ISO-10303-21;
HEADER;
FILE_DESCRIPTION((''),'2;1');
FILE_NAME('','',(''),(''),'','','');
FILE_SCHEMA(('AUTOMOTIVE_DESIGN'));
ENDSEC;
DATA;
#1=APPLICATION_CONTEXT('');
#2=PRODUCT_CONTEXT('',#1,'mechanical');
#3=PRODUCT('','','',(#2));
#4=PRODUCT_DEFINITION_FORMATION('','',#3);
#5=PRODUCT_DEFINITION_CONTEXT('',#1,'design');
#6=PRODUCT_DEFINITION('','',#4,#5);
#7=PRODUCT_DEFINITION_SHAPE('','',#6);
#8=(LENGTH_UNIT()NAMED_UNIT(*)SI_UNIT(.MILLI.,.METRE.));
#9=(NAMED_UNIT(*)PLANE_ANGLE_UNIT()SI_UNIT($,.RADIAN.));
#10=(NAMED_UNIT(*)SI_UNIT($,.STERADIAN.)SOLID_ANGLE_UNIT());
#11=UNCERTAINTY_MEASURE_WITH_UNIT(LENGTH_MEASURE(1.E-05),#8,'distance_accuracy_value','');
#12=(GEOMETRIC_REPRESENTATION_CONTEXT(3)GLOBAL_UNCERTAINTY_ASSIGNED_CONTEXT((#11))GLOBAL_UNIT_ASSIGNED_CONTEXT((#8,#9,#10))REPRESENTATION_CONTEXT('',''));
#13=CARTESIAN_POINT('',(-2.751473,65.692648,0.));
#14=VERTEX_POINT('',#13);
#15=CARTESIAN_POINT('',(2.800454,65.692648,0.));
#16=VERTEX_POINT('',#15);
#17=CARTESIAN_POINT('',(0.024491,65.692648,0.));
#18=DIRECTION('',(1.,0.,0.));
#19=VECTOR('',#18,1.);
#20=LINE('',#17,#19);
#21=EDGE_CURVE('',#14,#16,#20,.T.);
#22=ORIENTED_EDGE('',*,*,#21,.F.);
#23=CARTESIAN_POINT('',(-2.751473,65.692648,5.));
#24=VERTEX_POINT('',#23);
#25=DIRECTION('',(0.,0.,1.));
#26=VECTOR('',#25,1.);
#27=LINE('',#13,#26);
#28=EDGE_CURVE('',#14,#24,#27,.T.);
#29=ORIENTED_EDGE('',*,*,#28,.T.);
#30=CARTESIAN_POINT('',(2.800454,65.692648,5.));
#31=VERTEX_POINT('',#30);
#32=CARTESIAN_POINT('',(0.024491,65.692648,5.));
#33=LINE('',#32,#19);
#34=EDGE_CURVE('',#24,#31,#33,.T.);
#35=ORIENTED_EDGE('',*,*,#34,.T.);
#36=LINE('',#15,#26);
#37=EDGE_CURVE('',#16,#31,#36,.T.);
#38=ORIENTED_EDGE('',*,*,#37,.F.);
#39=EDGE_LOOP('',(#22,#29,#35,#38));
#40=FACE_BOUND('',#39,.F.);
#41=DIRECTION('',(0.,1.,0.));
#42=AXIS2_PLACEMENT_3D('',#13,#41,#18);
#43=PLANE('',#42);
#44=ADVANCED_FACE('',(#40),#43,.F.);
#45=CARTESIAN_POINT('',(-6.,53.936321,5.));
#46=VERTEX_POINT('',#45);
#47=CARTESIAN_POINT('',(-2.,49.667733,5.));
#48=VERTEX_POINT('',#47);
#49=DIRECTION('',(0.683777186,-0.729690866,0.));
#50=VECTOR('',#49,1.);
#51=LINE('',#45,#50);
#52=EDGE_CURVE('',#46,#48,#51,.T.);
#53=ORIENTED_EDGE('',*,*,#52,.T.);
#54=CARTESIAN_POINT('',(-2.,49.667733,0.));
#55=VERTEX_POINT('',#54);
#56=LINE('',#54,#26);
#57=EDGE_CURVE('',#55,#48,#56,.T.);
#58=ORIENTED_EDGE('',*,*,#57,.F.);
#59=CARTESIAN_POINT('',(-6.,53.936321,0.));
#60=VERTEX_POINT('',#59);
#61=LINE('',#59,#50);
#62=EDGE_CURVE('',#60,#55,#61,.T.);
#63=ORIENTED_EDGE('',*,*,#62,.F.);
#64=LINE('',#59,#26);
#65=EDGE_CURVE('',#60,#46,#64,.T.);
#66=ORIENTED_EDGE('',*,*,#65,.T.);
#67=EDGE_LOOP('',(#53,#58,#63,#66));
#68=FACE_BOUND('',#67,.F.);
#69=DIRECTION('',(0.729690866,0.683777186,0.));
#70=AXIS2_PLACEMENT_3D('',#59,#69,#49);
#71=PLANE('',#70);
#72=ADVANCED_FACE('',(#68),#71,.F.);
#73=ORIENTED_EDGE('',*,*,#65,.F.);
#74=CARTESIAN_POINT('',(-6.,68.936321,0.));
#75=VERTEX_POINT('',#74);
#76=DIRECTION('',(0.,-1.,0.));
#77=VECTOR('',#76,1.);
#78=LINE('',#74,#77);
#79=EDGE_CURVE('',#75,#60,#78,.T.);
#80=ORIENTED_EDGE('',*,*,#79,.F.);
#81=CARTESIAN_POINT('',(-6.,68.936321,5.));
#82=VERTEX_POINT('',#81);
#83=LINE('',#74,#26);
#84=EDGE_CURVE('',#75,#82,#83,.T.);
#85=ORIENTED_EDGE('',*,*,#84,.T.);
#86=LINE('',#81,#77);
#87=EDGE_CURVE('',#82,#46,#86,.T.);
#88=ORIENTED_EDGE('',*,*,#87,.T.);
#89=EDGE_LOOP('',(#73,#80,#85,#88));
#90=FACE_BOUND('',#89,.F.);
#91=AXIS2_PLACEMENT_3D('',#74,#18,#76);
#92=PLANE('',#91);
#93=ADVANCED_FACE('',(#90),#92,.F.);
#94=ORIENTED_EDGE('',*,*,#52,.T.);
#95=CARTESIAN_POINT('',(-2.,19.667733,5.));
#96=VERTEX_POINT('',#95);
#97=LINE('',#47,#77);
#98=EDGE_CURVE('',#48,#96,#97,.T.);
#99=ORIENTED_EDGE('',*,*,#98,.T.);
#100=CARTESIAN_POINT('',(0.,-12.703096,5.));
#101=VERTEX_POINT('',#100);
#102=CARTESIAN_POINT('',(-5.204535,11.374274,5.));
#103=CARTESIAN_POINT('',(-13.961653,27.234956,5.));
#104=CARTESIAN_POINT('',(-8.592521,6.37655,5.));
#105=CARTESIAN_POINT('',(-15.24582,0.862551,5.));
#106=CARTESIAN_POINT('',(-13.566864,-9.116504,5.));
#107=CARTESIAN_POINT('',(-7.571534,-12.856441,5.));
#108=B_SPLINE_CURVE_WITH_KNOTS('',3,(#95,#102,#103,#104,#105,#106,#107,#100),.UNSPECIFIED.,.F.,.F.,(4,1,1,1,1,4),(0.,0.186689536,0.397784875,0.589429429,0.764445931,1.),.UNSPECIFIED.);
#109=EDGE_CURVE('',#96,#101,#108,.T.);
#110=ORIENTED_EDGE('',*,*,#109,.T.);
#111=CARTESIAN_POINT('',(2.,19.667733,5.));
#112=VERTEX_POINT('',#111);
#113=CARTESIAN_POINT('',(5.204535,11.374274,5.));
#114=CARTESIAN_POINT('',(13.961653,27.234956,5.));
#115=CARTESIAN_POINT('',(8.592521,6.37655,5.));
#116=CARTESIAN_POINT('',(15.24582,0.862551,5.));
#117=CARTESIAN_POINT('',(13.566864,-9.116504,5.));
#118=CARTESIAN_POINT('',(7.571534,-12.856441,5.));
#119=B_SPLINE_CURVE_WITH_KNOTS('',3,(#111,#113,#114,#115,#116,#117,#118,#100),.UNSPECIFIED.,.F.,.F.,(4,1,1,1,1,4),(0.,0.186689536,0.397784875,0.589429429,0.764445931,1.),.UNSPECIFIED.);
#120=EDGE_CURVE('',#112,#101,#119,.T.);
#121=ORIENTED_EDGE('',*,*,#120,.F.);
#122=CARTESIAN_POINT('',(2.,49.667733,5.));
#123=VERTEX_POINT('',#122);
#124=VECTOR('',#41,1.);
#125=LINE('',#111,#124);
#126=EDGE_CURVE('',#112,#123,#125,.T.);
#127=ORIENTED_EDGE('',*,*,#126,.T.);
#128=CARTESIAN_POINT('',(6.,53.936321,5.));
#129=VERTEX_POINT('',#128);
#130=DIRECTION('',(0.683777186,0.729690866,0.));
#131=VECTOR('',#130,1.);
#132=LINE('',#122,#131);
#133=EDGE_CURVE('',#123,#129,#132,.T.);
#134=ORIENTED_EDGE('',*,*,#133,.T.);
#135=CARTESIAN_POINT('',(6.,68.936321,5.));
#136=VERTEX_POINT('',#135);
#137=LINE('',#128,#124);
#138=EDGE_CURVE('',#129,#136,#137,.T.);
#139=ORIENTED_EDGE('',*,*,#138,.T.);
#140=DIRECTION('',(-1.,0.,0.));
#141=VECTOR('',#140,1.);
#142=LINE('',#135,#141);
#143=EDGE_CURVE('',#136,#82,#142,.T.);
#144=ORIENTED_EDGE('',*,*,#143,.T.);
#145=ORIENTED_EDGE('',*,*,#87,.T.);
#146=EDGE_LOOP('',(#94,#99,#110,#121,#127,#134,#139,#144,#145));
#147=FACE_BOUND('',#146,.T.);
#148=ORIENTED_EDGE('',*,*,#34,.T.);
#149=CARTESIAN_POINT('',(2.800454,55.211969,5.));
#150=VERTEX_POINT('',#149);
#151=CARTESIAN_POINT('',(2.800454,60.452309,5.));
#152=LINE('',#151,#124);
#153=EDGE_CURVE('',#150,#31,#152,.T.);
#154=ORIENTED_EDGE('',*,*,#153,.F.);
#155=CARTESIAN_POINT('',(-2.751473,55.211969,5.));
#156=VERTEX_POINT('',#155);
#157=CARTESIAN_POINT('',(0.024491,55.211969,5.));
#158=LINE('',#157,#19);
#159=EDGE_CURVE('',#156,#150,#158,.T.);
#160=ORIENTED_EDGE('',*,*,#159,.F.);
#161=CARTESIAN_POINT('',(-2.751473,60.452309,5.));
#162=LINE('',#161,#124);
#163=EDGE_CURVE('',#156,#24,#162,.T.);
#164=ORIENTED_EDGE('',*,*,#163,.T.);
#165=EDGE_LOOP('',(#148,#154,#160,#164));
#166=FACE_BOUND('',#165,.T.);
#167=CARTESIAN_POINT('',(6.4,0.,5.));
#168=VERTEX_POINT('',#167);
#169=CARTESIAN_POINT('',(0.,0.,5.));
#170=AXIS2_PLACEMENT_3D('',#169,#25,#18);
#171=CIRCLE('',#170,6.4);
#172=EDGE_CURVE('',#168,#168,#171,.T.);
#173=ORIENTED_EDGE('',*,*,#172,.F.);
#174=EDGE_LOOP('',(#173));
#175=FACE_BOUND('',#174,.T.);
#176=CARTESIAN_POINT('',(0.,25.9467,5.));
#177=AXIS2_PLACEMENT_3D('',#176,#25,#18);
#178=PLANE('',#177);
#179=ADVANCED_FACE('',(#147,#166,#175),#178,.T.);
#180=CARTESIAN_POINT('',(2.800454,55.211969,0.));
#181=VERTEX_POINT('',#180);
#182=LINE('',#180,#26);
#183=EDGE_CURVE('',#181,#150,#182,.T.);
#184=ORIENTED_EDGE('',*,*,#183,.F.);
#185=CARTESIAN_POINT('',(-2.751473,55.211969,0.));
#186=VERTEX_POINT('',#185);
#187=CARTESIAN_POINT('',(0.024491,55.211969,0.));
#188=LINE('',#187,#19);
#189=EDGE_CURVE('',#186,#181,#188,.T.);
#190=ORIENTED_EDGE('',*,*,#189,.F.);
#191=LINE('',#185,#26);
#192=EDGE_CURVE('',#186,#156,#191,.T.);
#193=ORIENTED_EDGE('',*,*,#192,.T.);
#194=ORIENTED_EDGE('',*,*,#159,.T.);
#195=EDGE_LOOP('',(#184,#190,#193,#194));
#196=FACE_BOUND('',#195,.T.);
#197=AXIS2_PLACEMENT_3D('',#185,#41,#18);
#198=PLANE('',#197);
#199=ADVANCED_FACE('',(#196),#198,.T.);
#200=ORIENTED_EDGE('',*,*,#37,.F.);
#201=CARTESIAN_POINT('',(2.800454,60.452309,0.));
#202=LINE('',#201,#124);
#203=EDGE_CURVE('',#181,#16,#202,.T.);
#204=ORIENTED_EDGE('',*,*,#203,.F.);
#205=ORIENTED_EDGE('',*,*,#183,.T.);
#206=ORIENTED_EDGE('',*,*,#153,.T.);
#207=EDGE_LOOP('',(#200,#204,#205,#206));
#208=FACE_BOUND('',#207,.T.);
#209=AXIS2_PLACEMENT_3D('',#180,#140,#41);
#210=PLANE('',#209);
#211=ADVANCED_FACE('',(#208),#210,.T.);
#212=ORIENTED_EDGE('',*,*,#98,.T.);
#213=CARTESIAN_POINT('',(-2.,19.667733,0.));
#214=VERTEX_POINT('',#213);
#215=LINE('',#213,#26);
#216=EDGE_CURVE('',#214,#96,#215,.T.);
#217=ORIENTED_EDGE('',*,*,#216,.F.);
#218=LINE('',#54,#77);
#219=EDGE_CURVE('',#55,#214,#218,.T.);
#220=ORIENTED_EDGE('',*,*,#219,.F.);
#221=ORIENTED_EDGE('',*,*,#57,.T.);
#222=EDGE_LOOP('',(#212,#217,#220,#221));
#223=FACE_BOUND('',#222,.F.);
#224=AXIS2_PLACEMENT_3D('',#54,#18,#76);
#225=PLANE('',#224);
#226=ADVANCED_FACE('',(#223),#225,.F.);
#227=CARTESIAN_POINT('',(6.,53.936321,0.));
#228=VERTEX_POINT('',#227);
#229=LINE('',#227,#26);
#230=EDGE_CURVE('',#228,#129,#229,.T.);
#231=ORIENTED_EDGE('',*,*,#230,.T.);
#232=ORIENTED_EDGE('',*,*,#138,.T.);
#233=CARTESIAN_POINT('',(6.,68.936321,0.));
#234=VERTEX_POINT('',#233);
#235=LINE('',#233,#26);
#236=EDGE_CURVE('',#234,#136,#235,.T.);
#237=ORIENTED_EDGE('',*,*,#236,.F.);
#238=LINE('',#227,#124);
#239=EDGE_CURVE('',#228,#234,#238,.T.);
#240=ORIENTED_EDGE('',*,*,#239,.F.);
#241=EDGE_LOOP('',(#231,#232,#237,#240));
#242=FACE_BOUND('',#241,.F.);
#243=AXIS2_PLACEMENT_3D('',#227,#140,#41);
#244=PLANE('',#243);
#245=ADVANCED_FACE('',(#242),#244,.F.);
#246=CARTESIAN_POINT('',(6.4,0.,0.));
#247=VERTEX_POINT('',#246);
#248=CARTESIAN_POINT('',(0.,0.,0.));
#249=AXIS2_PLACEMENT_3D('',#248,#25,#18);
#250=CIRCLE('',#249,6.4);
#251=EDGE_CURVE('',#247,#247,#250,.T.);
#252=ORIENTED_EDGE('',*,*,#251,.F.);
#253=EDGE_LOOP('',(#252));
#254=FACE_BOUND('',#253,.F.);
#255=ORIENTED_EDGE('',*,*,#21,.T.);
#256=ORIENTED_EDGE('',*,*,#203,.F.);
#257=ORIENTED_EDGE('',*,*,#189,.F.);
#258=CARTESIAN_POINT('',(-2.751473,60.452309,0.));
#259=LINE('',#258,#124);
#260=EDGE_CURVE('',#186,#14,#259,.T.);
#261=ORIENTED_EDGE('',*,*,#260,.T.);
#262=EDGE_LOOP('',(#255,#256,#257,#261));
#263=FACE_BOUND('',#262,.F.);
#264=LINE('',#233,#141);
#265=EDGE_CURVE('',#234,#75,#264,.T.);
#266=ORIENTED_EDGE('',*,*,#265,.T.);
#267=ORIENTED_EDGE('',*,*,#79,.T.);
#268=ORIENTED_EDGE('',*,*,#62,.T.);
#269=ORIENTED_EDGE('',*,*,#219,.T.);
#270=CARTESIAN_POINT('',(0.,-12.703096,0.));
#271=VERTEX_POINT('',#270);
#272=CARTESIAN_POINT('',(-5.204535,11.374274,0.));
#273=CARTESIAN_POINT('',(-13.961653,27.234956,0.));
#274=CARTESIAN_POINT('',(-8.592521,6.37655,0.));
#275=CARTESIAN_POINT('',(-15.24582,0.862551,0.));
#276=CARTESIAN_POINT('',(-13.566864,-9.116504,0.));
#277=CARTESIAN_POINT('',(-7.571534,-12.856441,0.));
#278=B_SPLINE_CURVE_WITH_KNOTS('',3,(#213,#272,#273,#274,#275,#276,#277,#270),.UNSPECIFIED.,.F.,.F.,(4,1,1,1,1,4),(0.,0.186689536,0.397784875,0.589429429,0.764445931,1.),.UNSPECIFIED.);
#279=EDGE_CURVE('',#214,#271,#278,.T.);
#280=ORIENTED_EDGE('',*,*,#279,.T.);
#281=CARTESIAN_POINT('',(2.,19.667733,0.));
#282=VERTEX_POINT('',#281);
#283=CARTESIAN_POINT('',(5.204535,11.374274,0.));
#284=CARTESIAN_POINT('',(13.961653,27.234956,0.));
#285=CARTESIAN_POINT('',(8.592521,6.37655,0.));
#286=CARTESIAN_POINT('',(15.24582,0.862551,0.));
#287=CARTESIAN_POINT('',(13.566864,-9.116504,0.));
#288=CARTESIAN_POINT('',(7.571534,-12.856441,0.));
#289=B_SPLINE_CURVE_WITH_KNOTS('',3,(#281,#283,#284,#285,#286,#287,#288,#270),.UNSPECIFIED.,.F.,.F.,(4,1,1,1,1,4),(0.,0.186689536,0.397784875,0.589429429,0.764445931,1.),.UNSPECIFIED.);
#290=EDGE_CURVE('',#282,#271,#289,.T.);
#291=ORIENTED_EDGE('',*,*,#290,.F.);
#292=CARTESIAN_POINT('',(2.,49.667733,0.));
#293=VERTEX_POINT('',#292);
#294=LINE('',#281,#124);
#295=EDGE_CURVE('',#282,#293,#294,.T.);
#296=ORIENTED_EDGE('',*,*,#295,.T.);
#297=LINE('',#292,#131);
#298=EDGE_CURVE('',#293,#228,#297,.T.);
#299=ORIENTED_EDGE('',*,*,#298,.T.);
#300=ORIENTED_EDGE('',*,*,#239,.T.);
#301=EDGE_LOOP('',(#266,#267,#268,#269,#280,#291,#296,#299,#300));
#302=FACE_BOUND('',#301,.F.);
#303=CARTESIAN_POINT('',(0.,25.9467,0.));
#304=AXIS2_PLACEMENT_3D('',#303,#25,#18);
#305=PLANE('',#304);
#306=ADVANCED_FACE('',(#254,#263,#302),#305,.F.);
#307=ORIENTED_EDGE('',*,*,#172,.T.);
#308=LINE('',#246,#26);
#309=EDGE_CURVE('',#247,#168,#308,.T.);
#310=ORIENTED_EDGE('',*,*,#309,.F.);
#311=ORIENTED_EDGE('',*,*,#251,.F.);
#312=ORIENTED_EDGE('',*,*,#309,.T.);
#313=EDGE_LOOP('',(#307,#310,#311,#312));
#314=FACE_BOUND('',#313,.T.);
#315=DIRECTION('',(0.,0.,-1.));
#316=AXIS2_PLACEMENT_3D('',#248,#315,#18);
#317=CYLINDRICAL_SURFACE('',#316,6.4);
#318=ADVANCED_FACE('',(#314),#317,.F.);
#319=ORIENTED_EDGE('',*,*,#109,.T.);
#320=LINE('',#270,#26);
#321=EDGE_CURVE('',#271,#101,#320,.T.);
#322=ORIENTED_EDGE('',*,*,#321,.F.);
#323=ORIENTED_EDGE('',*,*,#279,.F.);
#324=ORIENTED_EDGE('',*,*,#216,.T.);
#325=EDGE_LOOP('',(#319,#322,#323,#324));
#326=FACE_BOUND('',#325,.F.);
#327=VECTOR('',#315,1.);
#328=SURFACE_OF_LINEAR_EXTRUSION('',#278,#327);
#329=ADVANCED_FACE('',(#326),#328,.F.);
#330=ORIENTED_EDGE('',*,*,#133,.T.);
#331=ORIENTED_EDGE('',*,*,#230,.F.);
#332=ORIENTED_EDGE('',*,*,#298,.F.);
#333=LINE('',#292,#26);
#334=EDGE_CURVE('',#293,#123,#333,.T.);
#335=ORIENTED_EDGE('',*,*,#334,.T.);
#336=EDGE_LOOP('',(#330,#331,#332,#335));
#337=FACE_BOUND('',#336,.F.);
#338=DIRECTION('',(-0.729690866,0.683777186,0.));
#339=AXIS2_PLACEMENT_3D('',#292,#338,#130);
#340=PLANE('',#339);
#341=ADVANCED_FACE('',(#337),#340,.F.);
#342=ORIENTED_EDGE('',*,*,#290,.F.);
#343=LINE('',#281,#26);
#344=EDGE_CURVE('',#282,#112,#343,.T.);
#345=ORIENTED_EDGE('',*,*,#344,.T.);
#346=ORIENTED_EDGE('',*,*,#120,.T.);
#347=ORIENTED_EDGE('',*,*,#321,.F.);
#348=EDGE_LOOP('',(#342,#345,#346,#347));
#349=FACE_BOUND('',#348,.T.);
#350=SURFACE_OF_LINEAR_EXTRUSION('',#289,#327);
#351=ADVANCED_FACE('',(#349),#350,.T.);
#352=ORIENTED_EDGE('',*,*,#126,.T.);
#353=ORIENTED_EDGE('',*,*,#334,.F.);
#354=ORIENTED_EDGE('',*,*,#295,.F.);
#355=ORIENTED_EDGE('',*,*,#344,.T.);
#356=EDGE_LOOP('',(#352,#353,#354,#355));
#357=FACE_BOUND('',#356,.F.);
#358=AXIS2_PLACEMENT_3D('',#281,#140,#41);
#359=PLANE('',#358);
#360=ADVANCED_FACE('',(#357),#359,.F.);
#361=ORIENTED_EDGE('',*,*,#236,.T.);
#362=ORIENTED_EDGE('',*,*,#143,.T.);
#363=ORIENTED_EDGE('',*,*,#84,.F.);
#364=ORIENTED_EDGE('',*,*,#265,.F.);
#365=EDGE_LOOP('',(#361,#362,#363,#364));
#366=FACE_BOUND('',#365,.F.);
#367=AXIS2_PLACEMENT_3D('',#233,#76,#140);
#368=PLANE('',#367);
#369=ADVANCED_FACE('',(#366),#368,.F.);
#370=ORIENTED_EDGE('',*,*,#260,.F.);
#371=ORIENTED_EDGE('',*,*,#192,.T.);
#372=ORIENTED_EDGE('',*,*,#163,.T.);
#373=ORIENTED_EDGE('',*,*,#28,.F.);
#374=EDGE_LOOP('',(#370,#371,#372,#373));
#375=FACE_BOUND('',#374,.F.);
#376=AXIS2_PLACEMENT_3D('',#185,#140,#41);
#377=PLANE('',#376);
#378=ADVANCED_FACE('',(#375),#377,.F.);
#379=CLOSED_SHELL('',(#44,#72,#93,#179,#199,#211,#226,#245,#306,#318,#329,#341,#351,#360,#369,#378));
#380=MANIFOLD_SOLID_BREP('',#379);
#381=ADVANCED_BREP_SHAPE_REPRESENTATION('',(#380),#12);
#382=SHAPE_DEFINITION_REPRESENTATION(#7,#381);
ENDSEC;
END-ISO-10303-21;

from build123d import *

# Parameters (mm, degrees)
F0_R     = 6.4
F0_W     = 5.5519272573
F0_H     = 10.4806795716
F1_DEPTH = 5


with BuildPart() as f1:
    # F0 (on Top) → F1 (new body)
    with BuildSketch(Plane.XY):
        with BuildLine():
            Line((0, 68.9363212883), (-6, 68.9363212883))
            Line((-6, 68.9363212883), (-6, 53.9363212883))
            Line((-6, 53.9363212883), (-2, 49.6677327434))
            Line((-2, 49.6677327434), (-2, 19.6677327434))
            add(Edge.make_bspline(
                [(-2, 19.6677327434), (-5.2045350894, 11.3742742687), (-13.9616531978, 27.2349557552), (-8.5925210718, 6.3765498017), (-15.2458199495, 0.8625510948), (-13.5668635451, -9.1165038385), (-7.5715340142, -12.8564407231), (0, -12.7030955628)],
                knots=[0, 0, 0, 0, 0.1866895357, 0.3977848748, 0.5894294289, 0.7644459309, 1, 1, 1, 1], degree=3))
            add(Edge.make_bspline(
                [(2, 19.6677327434), (5.2045350894, 11.3742742687), (13.9616531978, 27.2349557552), (8.5925210718, 6.3765498017), (15.2458199495, 0.8625510948), (13.5668635451, -9.1165038385), (7.5715340142, -12.8564407231), (0, -12.7030955628)],
                knots=[0, 0, 0, 0, 0.1866895357, 0.3977848748, 0.5894294289, 0.7644459309, 1, 1, 1, 1], degree=3))
            Line((2, 19.6677327434), (2, 49.6677327434))
            Line((2, 49.6677327434), (6, 53.9363212883))
            Line((6, 53.9363212883), (6, 68.9363212883))
            Line((6, 68.9363212883), (0, 68.9363212883))
        make_face()
        Circle(F0_R, mode=Mode.SUBTRACT)
        with Locations((0.0244907569, 60.4523085058)):
            Rectangle(F0_W, F0_H, mode=Mode.SUBTRACT)
    extrude(amount=F1_DEPTH)


solid = f1.part
